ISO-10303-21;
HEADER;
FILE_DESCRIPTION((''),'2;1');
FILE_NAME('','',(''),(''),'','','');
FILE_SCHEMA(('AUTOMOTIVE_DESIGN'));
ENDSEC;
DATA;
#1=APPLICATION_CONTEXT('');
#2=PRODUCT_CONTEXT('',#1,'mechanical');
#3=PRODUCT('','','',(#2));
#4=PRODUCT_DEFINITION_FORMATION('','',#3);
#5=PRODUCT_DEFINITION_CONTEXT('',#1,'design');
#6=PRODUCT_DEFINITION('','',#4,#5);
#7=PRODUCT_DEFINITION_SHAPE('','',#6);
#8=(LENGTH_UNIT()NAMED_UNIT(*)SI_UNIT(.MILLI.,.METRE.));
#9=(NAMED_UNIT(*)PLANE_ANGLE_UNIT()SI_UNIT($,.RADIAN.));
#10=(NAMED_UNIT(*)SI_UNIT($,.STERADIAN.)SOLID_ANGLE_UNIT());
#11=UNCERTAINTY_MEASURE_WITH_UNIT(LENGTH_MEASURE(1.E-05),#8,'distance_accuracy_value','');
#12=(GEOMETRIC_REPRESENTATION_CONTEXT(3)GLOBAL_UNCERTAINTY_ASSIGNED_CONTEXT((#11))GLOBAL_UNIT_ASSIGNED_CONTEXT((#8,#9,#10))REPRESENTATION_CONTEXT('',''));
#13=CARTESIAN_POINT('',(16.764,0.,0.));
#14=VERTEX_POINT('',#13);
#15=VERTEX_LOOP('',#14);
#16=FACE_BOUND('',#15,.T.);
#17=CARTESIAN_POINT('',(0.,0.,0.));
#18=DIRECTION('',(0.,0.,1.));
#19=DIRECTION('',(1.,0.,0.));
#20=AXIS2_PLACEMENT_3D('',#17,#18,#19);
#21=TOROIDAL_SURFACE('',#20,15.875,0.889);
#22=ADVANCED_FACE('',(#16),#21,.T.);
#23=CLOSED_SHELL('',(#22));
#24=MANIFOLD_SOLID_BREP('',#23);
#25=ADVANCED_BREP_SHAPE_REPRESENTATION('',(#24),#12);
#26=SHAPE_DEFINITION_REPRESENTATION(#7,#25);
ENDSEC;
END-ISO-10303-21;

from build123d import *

# Parameters (mm, degrees)
SKETCH1_R = 0.889


with BuildPart() as part:
    # Sketch1 → Revolve1 (revolve)
    with BuildSketch(Plane(origin=(0, 0, 0), x_dir=(0, 0, -1), z_dir=(1, 0, 0)), mode=Mode.PRIVATE) as revolve1_sk:
        with Locations((0, 15.875)):
            Circle(SKETCH1_R)
    revolve(revolve1_sk.sketch.rotate(Axis((0, 0, 151.155192532), (0, 0, -1)), 90), axis=Axis((0, 0, 151.155192532), (0, 0, -1)))


solid = part.part
